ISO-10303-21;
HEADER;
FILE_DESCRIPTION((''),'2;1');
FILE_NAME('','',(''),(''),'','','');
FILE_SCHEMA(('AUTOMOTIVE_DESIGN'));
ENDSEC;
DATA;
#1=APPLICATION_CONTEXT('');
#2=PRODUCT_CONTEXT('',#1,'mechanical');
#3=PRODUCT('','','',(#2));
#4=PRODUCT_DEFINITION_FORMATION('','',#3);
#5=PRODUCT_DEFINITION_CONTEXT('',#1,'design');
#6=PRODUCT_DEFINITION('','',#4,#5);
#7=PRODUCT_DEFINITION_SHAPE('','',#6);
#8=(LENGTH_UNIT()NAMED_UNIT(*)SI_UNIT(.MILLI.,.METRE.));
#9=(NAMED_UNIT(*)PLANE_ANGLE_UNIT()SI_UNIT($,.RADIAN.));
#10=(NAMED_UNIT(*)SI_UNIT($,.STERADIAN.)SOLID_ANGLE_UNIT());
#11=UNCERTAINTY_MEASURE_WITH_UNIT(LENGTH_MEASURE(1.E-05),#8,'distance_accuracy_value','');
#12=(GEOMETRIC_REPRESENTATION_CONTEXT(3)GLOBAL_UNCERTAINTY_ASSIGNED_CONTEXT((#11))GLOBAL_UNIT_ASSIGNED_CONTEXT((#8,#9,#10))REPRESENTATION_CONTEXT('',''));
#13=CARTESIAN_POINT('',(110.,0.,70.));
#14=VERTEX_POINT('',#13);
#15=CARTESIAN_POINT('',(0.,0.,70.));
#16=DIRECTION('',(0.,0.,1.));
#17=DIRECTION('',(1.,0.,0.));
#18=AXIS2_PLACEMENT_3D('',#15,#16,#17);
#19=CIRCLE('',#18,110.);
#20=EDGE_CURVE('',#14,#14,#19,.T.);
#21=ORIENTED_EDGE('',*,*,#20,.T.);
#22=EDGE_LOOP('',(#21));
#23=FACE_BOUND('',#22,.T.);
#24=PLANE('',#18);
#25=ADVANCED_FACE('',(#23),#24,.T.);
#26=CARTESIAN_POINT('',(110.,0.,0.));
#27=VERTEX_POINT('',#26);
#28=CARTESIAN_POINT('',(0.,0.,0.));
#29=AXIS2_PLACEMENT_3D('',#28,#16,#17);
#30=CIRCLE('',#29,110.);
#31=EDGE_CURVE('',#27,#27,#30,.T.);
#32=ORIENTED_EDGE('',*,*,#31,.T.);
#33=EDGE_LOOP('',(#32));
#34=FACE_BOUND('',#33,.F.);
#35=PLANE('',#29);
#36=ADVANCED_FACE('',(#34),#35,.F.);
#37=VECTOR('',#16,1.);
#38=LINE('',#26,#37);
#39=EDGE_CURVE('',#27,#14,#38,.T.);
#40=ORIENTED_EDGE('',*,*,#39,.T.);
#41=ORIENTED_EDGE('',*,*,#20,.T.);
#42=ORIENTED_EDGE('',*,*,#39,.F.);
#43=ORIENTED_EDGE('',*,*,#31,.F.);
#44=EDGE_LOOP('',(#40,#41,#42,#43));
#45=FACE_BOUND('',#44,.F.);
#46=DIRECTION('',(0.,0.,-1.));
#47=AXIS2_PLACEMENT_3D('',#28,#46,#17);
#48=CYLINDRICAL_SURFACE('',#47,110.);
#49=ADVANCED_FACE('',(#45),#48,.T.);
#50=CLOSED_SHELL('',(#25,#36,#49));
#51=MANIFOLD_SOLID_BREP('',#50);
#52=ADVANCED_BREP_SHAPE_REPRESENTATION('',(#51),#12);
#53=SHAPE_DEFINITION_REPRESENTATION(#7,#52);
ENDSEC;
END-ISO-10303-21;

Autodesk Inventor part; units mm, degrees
ref_plane "YZ Plane" through (0, 0, 0) normal (1, 0, 0) x (0, 1, 0)
ref_plane "XZ Plane" through (0, 0, 0) normal (0, 1, 0) x (-1, 0, 0)
ref_plane "XY Plane" through (0, 0, 0) normal (0, 0, 1) x (1, 0, 0)
sketch "Sketch1" plane through (0, 0, 0) normal (0, 0, 1) x (1, 0, 0)
  circle A0 centre (0, 0) radius 110
  dimension "d0" = 220
extrude "Extrusion1" add sketch "Sketch1" along normal blind 70
properties part number "Spool Roll Dummy" material "Acetal Resin, Black"
